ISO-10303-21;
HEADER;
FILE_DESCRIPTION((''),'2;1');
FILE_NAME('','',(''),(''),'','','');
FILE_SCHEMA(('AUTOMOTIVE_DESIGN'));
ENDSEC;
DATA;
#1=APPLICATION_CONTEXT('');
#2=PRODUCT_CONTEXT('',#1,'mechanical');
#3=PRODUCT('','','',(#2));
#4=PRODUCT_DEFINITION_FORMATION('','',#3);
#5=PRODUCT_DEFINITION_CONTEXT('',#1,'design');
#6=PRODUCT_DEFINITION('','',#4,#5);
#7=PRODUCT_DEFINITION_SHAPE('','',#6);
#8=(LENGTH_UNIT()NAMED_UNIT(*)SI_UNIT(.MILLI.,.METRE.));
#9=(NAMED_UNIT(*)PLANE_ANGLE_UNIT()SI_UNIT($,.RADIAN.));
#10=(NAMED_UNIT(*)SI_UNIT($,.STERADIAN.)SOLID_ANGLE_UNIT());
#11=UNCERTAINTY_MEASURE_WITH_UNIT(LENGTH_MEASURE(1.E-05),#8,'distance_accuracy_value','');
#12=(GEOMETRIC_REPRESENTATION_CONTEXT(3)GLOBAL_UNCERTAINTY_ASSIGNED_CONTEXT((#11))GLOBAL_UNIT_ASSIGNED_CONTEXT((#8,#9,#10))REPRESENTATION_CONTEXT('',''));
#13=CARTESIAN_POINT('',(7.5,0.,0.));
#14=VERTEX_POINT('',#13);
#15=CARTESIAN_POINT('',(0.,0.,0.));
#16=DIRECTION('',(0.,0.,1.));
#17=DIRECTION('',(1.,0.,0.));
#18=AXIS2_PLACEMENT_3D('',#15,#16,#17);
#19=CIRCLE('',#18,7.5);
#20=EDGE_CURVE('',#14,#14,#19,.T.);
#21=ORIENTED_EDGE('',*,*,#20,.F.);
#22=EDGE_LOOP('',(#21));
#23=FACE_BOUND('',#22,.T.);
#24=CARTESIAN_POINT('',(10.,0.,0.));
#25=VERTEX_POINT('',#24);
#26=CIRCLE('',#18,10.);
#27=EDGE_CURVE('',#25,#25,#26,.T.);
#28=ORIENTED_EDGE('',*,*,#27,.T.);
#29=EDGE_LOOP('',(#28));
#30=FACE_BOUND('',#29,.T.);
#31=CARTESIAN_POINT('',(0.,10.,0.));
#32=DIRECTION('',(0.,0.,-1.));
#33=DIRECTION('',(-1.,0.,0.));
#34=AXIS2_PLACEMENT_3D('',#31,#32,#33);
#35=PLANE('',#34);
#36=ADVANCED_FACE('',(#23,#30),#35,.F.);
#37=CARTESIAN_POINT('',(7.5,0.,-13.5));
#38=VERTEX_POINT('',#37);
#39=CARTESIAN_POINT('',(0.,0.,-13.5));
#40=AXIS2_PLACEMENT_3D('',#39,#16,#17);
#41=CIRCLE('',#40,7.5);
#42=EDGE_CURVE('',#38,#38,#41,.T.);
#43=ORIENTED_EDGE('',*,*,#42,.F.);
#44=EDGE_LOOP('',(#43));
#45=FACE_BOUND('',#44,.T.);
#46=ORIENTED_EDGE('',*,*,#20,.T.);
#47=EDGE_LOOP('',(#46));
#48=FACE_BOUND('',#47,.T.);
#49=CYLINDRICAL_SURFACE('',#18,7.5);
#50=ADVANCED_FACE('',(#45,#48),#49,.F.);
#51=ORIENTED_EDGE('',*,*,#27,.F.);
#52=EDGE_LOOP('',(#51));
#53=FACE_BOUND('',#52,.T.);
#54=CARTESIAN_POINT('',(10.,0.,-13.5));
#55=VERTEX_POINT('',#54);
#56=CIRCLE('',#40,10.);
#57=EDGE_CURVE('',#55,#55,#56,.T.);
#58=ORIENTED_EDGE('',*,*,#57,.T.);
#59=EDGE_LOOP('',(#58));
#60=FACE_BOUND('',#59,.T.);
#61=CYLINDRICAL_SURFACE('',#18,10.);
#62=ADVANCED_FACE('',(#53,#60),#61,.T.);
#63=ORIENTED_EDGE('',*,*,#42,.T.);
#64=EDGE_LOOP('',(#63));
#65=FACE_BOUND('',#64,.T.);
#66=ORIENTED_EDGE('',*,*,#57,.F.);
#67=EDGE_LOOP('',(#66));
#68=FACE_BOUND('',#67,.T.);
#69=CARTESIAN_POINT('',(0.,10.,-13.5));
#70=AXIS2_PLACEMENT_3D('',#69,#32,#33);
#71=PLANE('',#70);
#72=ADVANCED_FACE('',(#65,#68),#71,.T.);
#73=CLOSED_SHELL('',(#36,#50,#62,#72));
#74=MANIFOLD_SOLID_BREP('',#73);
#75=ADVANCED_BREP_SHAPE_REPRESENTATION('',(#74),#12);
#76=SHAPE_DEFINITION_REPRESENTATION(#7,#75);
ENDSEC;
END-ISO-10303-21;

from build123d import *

# Parameters (mm, degrees)
SKETCH_2_W = 13.5
SKETCH_2_H = 2.5


with BuildPart() as part:
    # ｽｹｯﾁ2 → 回転1 (revolve)
    with BuildSketch(Plane(origin=(0, 0, 0), x_dir=(0, 0, -1), z_dir=(1, 0, 0))):
        with Locations((6.75, 8.75)):
            Rectangle(SKETCH_2_W, SKETCH_2_H)
    revolve(axis=Axis((0, 0, 0), (0, 0, -1)))


solid = part.part
